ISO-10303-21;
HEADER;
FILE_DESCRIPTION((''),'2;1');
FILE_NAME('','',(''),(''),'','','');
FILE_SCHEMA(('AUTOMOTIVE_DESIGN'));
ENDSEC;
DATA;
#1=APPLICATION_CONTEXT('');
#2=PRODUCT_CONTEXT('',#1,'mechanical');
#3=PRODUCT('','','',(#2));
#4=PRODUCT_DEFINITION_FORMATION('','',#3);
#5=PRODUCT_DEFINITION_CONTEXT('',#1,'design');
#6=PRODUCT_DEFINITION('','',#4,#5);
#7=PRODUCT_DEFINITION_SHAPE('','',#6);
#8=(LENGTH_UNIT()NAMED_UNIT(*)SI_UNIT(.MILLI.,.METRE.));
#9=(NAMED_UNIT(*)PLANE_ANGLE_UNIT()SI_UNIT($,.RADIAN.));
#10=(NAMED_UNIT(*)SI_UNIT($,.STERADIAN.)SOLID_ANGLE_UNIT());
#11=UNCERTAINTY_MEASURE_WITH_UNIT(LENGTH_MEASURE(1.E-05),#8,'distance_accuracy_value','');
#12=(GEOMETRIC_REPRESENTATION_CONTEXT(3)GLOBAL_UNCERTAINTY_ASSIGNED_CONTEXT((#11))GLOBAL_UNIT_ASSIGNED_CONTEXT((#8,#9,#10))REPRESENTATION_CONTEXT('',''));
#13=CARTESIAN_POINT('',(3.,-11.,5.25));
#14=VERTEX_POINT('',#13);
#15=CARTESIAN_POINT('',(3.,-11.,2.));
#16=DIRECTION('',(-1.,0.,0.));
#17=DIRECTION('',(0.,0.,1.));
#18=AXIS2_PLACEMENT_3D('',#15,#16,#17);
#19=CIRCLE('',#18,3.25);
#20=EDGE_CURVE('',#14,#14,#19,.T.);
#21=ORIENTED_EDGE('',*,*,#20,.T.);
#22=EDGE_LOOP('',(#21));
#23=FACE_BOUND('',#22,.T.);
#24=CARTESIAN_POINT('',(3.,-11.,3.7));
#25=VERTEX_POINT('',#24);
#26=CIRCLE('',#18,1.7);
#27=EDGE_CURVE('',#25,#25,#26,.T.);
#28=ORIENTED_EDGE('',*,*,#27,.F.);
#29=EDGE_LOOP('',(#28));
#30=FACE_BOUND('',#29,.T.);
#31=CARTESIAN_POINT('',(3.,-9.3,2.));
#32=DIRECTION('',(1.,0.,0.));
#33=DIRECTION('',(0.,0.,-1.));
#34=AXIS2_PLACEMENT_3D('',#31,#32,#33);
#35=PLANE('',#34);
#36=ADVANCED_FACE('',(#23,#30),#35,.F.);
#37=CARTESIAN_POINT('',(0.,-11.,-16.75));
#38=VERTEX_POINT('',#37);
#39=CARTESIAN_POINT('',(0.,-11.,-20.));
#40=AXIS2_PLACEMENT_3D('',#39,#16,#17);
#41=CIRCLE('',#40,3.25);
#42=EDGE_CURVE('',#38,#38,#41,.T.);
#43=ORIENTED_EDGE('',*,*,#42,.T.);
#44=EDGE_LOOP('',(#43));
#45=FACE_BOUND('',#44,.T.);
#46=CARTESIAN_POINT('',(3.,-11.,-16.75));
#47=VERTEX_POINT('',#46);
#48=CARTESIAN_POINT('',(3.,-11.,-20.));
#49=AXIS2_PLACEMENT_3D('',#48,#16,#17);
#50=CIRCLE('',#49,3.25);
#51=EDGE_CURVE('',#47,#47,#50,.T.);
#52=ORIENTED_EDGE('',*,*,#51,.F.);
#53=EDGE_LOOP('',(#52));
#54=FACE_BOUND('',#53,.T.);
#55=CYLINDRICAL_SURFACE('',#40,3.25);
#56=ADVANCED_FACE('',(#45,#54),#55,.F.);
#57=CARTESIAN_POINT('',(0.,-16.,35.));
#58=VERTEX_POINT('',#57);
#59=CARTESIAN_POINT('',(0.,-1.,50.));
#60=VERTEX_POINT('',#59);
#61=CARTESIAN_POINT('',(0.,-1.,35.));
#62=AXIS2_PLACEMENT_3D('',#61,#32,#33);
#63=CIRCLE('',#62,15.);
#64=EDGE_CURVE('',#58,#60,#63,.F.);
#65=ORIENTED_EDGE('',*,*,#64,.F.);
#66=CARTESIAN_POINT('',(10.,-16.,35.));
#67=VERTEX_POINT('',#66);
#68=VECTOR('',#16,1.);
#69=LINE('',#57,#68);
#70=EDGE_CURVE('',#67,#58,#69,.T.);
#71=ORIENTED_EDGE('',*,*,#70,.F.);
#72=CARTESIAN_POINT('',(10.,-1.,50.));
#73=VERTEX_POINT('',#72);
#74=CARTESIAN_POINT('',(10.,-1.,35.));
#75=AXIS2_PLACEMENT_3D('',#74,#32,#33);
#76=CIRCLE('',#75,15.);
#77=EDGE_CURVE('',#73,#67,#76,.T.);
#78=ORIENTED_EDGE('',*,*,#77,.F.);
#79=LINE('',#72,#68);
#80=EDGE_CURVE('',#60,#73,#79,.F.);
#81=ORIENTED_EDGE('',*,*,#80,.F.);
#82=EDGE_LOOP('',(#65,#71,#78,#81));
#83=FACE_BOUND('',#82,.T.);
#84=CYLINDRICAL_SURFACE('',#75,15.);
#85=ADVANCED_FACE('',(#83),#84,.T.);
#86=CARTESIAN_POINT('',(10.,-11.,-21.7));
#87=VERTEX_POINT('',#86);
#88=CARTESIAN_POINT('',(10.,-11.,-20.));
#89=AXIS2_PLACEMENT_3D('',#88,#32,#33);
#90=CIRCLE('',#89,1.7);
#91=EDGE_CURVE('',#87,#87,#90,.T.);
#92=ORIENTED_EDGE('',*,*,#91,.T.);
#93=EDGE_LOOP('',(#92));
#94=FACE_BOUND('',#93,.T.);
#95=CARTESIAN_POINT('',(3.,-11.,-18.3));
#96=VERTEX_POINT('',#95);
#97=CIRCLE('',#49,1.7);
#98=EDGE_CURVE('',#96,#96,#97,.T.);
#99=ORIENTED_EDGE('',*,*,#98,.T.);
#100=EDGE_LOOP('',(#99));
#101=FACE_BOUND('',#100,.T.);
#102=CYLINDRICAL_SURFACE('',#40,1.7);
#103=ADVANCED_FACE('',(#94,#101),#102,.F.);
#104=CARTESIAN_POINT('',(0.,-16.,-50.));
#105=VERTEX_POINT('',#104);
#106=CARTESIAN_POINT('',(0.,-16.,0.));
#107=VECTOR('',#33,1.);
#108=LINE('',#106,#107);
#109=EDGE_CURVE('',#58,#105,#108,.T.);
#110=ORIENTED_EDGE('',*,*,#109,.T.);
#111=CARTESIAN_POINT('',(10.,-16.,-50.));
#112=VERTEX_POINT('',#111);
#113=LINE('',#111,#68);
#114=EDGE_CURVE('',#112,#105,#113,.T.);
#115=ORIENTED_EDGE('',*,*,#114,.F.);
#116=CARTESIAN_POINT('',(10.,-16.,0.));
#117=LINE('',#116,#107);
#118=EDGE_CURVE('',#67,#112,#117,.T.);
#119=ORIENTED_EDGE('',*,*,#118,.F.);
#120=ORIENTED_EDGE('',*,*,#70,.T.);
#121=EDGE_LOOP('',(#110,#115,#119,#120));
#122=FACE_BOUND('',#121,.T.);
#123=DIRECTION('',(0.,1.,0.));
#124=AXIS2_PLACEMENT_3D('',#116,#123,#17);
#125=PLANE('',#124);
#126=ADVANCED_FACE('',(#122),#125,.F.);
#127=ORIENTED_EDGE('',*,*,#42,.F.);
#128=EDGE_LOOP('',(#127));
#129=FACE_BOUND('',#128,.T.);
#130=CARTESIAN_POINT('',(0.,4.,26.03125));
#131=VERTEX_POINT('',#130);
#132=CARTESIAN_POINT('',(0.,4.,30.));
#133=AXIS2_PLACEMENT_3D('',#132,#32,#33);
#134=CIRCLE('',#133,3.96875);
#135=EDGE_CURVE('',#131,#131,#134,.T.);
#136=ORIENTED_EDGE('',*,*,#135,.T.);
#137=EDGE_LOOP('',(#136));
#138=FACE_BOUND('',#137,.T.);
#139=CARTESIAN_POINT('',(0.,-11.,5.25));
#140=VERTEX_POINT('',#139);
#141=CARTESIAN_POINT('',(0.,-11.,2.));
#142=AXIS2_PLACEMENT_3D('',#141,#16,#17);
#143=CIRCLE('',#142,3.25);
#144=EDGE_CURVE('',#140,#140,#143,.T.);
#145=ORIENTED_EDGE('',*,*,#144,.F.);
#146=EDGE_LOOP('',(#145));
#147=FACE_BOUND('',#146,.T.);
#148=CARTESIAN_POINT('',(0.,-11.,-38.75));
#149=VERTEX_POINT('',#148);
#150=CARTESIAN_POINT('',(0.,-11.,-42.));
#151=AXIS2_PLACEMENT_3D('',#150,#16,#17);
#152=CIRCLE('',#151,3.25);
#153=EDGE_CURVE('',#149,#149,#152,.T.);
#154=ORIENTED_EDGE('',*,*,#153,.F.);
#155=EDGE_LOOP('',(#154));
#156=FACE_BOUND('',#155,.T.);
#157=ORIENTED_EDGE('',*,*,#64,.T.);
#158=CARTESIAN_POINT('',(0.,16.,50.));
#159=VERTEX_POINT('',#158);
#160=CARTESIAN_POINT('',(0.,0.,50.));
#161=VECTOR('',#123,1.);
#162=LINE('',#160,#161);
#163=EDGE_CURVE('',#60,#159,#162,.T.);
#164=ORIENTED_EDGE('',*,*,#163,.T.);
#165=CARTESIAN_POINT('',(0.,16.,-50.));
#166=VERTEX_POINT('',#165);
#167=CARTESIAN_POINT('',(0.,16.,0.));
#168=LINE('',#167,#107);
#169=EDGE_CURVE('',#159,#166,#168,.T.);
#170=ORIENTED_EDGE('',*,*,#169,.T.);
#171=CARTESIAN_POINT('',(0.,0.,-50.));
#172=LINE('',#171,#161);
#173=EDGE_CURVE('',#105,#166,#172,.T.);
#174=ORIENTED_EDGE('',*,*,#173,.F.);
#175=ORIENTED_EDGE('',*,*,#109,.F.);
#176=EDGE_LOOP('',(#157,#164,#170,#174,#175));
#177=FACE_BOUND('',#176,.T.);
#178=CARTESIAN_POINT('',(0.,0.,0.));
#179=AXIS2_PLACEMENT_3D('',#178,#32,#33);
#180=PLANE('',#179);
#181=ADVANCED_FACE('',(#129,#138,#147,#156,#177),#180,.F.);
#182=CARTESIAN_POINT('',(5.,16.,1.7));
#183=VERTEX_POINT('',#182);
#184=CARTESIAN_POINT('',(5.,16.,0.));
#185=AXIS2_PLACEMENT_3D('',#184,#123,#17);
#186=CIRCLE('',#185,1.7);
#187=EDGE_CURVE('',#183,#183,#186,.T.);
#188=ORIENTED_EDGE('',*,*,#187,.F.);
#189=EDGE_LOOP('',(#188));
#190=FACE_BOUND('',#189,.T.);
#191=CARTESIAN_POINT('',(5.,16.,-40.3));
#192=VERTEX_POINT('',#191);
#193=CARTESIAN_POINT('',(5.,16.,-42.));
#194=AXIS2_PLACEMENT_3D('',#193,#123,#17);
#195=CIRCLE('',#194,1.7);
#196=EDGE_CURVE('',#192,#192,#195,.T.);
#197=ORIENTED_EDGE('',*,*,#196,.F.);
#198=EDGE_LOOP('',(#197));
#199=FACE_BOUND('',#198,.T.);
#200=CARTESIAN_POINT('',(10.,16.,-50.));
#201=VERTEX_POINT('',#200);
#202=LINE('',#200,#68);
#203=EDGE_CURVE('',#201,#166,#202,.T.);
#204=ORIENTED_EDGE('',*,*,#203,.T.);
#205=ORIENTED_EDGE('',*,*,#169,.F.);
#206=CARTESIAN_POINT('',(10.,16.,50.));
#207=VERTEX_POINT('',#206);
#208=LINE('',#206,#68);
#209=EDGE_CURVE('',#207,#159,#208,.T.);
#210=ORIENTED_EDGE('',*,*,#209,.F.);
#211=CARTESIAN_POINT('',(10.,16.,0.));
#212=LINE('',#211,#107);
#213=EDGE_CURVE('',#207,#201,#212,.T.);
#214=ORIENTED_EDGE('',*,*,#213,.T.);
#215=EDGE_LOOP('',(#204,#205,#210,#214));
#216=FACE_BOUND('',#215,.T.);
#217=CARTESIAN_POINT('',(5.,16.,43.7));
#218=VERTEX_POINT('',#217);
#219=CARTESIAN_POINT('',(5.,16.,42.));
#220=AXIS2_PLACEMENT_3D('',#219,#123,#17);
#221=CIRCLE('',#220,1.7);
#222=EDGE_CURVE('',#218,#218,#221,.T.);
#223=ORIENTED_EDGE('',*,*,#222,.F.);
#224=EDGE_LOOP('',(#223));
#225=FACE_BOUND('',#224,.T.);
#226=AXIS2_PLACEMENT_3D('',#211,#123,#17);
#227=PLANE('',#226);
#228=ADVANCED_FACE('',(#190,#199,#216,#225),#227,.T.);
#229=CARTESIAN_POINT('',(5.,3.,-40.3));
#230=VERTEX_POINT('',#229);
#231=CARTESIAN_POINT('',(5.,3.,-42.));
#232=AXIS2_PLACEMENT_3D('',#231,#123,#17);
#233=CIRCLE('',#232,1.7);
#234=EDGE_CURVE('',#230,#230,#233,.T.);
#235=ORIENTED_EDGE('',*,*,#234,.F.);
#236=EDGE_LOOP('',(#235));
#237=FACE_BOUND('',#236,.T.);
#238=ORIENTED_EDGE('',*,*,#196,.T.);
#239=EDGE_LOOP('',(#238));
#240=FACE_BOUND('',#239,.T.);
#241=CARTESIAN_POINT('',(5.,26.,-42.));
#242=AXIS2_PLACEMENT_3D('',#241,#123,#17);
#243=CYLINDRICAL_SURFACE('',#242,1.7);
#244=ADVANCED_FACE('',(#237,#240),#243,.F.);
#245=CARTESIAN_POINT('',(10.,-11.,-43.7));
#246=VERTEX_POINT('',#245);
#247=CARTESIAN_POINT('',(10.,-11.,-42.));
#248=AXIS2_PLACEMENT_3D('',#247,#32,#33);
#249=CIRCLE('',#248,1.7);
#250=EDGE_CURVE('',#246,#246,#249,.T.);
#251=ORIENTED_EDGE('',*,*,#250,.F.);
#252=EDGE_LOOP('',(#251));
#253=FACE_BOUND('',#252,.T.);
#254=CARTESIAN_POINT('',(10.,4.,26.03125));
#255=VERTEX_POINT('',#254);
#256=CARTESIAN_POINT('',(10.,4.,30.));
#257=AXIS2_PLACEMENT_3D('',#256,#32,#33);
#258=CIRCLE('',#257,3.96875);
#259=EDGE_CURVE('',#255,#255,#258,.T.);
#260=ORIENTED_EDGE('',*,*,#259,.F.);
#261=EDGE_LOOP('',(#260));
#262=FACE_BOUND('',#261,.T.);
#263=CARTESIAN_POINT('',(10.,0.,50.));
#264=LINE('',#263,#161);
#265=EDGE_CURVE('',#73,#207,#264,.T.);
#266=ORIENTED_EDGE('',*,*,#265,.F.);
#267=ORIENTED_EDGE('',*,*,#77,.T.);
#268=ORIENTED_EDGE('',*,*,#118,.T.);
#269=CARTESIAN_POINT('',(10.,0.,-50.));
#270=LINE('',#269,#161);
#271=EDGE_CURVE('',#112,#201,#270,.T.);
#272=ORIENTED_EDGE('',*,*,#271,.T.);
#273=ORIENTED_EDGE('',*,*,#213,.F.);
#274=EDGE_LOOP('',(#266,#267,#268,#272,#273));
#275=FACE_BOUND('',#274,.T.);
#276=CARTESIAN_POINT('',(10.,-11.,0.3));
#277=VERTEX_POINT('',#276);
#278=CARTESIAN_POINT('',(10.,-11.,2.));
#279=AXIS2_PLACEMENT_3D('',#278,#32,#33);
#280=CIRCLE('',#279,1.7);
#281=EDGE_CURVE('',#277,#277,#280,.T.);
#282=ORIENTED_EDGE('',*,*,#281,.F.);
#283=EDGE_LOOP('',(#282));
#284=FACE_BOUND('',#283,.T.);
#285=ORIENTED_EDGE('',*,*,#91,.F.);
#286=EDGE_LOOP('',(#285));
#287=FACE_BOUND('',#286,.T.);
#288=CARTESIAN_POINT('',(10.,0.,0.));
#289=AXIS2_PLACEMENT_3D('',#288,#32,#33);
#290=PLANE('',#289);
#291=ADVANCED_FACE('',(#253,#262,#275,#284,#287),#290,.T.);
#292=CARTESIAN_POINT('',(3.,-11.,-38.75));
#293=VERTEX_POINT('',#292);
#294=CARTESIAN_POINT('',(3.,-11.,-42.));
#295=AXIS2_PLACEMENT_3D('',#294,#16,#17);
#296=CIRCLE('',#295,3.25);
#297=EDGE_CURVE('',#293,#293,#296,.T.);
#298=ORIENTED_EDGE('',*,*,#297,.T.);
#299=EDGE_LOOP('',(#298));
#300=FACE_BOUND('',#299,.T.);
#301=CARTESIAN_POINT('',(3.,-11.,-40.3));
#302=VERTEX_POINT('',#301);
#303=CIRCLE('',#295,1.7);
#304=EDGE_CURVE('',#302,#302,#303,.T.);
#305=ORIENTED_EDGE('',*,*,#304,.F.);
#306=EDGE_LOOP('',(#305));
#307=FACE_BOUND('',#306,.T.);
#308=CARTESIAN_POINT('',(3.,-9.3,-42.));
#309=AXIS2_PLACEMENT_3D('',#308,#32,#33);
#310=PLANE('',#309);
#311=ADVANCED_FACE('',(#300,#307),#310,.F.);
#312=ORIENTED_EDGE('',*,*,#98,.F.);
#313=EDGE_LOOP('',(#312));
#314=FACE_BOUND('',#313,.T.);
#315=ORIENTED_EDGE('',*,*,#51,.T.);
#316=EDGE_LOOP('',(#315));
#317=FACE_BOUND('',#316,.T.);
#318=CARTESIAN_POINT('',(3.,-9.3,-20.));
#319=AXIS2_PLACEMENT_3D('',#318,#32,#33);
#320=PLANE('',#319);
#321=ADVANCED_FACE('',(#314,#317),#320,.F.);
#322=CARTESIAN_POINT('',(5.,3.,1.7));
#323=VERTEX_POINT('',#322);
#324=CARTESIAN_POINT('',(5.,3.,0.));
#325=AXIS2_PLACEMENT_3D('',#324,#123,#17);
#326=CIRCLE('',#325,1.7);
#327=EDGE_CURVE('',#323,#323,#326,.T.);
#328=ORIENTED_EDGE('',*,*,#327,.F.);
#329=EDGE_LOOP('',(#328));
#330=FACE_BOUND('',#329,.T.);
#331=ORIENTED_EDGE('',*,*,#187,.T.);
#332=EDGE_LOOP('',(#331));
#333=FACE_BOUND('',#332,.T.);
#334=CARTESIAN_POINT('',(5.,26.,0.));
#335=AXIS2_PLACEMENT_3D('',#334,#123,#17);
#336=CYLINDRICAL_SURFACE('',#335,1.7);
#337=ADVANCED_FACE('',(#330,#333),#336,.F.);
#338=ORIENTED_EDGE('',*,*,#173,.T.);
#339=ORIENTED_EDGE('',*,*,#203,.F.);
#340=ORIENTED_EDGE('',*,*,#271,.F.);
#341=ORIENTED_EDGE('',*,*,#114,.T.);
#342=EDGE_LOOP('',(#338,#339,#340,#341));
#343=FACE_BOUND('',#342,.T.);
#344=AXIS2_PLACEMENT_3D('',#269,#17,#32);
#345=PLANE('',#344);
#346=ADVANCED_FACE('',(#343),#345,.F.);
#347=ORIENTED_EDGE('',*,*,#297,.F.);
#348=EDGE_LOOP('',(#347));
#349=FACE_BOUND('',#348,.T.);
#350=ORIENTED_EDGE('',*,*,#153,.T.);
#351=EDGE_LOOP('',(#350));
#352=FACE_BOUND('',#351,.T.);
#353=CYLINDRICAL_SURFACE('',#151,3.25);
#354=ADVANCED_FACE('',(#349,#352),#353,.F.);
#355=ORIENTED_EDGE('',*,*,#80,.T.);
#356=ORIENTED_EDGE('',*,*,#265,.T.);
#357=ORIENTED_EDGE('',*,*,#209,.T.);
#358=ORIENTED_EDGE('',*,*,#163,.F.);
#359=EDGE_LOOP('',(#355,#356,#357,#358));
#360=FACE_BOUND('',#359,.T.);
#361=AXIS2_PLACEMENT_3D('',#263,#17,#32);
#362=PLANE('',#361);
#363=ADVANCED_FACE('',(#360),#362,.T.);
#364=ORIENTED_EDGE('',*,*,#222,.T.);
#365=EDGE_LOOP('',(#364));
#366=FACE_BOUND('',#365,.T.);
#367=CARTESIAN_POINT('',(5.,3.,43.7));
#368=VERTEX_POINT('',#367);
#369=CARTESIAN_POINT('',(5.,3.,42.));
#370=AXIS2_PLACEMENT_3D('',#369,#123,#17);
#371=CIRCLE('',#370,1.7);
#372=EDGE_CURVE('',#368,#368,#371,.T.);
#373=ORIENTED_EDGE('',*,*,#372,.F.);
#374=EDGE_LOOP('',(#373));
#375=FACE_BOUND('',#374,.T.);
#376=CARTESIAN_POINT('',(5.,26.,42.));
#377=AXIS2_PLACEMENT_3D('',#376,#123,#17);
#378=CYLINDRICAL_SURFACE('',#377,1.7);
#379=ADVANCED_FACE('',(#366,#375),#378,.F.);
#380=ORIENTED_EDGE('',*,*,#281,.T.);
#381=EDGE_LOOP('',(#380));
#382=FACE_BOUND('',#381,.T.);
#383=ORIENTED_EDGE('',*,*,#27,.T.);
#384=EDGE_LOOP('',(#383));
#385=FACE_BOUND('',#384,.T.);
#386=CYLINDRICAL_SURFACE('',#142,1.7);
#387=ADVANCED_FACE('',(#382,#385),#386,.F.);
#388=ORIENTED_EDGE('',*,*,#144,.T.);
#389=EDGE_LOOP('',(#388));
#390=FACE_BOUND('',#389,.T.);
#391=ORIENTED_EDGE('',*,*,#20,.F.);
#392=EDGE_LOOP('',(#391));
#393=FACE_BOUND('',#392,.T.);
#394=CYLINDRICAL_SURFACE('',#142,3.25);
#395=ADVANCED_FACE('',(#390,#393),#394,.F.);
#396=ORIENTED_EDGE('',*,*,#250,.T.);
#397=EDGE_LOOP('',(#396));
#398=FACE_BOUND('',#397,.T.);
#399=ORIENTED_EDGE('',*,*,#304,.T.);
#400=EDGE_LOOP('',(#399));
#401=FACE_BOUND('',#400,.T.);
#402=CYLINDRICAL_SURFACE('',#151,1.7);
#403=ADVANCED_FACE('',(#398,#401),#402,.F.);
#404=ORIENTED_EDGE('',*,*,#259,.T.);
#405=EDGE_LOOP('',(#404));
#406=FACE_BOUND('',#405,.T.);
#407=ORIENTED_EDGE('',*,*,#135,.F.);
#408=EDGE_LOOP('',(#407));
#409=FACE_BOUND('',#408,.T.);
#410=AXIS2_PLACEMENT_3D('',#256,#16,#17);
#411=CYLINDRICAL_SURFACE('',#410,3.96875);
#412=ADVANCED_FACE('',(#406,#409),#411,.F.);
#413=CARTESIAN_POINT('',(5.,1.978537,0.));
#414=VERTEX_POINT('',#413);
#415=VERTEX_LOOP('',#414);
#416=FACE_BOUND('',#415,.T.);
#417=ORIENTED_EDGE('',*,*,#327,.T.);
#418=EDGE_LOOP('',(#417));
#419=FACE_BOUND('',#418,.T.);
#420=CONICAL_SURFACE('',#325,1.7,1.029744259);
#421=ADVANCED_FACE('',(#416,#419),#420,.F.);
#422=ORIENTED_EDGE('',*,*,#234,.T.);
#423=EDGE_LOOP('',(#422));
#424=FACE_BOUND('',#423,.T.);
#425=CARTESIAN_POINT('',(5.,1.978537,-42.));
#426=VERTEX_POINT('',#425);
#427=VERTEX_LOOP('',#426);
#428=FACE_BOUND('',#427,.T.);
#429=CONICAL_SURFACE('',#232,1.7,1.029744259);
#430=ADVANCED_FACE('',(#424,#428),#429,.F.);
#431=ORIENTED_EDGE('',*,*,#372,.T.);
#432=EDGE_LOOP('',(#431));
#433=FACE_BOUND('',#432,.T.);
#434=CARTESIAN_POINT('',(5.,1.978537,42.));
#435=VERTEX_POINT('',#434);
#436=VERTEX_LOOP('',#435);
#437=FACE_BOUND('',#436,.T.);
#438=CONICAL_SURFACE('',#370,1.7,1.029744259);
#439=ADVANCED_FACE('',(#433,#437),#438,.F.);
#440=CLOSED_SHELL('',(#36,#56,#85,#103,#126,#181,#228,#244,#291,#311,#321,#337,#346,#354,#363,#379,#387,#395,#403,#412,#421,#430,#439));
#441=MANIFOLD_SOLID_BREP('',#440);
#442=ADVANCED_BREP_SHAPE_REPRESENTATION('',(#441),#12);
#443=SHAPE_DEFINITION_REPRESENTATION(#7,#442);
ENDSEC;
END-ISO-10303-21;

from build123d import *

# Parameters (mm, degrees)
SKETCH1_W                      = 100
SKETCH1_H                      = 32
SKETCH1_R                      = 3.96875
BOSS_EXTRUDE1_DEPTH            = 10
FILLET1_R                      = 15
CBORE_FOR_M3_SHCS_D            = 3.4
CBORE_FOR_M3_SHCS_DEPTH        = 23
CBORE_FOR_M3_SHCS_CBORE_D      = 6.5
CBORE_FOR_M3_SHCS_CBORE_DEPTH  = 3
CBORE_FOR_M3_SHCS_TIP          = 1.021463052
CBORE_FOR_M3_SHCS1_D           = 3.4
CBORE_FOR_M3_SHCS1_DEPTH       = 23
CBORE_FOR_M3_SHCS1_CBORE_D     = 6.5
CBORE_FOR_M3_SHCS1_CBORE_DEPTH = 3
CBORE_FOR_M3_SHCS1_TIP         = 1.021463052


with BuildPart() as part:
    # Sketch1 → Boss-Extrude1 (new body)
    with BuildSketch(Plane(origin=(0, 0, 0), x_dir=(0, 0, -1), z_dir=(1, 0, 0))):
        Rectangle(SKETCH1_W, SKETCH1_H)
        with Locations((-30, 4)):
            Circle(SKETCH1_R, mode=Mode.SUBTRACT)
    extrude(amount=BOSS_EXTRUDE1_DEPTH)

    # Fillet1
    fillet1_edges = [part.edges().sort_by_distance(p)[0] for p in [
        (5, -16, 50),
    ]]
    fillet(fillet1_edges, radius=FILLET1_R)

    # CBORE for M3 SHCS
    with Locations(Plane(origin=(-616.293536786, 26, -1323.282701689), x_dir=(1, 0, 0), z_dir=(0, 1, 0))):
        with Locations((731.293536786, -1281.282701689), (731.293536786, -1343.282701689), (621.293536786, -1281.282701689), (621.293536786, -1365.282701689), (621.293536786, -1323.282701689), (731.293536786, -1312.282701689)):
            CounterBoreHole(CBORE_FOR_M3_SHCS_D / 2, CBORE_FOR_M3_SHCS_CBORE_D / 2, CBORE_FOR_M3_SHCS_CBORE_DEPTH, depth=CBORE_FOR_M3_SHCS_DEPTH)
            with Locations((0, 0, -(CBORE_FOR_M3_SHCS_DEPTH + CBORE_FOR_M3_SHCS_TIP / 2))):  # 118° drill point
                Cone(0, CBORE_FOR_M3_SHCS_D / 2, CBORE_FOR_M3_SHCS_TIP, mode=Mode.SUBTRACT)

    # CBORE for M3 SHCS1
    with Locations(Plane(origin=(0, -904.012147263, -1323.282701689), x_dir=(0, 0, 1), z_dir=(-1, 0, 0))):
        with Locations((1281.282701689, 893.012147263), (1325.282701689, 893.012147263), (1303.282701689, 893.012147263)):
            CounterBoreHole(CBORE_FOR_M3_SHCS1_D / 2, CBORE_FOR_M3_SHCS1_CBORE_D / 2, CBORE_FOR_M3_SHCS1_CBORE_DEPTH, depth=CBORE_FOR_M3_SHCS1_DEPTH)
            with Locations((0, 0, -(CBORE_FOR_M3_SHCS1_DEPTH + CBORE_FOR_M3_SHCS1_TIP / 2))):  # 118° drill point
                Cone(0, CBORE_FOR_M3_SHCS1_D / 2, CBORE_FOR_M3_SHCS1_TIP, mode=Mode.SUBTRACT)


solid = part.part
